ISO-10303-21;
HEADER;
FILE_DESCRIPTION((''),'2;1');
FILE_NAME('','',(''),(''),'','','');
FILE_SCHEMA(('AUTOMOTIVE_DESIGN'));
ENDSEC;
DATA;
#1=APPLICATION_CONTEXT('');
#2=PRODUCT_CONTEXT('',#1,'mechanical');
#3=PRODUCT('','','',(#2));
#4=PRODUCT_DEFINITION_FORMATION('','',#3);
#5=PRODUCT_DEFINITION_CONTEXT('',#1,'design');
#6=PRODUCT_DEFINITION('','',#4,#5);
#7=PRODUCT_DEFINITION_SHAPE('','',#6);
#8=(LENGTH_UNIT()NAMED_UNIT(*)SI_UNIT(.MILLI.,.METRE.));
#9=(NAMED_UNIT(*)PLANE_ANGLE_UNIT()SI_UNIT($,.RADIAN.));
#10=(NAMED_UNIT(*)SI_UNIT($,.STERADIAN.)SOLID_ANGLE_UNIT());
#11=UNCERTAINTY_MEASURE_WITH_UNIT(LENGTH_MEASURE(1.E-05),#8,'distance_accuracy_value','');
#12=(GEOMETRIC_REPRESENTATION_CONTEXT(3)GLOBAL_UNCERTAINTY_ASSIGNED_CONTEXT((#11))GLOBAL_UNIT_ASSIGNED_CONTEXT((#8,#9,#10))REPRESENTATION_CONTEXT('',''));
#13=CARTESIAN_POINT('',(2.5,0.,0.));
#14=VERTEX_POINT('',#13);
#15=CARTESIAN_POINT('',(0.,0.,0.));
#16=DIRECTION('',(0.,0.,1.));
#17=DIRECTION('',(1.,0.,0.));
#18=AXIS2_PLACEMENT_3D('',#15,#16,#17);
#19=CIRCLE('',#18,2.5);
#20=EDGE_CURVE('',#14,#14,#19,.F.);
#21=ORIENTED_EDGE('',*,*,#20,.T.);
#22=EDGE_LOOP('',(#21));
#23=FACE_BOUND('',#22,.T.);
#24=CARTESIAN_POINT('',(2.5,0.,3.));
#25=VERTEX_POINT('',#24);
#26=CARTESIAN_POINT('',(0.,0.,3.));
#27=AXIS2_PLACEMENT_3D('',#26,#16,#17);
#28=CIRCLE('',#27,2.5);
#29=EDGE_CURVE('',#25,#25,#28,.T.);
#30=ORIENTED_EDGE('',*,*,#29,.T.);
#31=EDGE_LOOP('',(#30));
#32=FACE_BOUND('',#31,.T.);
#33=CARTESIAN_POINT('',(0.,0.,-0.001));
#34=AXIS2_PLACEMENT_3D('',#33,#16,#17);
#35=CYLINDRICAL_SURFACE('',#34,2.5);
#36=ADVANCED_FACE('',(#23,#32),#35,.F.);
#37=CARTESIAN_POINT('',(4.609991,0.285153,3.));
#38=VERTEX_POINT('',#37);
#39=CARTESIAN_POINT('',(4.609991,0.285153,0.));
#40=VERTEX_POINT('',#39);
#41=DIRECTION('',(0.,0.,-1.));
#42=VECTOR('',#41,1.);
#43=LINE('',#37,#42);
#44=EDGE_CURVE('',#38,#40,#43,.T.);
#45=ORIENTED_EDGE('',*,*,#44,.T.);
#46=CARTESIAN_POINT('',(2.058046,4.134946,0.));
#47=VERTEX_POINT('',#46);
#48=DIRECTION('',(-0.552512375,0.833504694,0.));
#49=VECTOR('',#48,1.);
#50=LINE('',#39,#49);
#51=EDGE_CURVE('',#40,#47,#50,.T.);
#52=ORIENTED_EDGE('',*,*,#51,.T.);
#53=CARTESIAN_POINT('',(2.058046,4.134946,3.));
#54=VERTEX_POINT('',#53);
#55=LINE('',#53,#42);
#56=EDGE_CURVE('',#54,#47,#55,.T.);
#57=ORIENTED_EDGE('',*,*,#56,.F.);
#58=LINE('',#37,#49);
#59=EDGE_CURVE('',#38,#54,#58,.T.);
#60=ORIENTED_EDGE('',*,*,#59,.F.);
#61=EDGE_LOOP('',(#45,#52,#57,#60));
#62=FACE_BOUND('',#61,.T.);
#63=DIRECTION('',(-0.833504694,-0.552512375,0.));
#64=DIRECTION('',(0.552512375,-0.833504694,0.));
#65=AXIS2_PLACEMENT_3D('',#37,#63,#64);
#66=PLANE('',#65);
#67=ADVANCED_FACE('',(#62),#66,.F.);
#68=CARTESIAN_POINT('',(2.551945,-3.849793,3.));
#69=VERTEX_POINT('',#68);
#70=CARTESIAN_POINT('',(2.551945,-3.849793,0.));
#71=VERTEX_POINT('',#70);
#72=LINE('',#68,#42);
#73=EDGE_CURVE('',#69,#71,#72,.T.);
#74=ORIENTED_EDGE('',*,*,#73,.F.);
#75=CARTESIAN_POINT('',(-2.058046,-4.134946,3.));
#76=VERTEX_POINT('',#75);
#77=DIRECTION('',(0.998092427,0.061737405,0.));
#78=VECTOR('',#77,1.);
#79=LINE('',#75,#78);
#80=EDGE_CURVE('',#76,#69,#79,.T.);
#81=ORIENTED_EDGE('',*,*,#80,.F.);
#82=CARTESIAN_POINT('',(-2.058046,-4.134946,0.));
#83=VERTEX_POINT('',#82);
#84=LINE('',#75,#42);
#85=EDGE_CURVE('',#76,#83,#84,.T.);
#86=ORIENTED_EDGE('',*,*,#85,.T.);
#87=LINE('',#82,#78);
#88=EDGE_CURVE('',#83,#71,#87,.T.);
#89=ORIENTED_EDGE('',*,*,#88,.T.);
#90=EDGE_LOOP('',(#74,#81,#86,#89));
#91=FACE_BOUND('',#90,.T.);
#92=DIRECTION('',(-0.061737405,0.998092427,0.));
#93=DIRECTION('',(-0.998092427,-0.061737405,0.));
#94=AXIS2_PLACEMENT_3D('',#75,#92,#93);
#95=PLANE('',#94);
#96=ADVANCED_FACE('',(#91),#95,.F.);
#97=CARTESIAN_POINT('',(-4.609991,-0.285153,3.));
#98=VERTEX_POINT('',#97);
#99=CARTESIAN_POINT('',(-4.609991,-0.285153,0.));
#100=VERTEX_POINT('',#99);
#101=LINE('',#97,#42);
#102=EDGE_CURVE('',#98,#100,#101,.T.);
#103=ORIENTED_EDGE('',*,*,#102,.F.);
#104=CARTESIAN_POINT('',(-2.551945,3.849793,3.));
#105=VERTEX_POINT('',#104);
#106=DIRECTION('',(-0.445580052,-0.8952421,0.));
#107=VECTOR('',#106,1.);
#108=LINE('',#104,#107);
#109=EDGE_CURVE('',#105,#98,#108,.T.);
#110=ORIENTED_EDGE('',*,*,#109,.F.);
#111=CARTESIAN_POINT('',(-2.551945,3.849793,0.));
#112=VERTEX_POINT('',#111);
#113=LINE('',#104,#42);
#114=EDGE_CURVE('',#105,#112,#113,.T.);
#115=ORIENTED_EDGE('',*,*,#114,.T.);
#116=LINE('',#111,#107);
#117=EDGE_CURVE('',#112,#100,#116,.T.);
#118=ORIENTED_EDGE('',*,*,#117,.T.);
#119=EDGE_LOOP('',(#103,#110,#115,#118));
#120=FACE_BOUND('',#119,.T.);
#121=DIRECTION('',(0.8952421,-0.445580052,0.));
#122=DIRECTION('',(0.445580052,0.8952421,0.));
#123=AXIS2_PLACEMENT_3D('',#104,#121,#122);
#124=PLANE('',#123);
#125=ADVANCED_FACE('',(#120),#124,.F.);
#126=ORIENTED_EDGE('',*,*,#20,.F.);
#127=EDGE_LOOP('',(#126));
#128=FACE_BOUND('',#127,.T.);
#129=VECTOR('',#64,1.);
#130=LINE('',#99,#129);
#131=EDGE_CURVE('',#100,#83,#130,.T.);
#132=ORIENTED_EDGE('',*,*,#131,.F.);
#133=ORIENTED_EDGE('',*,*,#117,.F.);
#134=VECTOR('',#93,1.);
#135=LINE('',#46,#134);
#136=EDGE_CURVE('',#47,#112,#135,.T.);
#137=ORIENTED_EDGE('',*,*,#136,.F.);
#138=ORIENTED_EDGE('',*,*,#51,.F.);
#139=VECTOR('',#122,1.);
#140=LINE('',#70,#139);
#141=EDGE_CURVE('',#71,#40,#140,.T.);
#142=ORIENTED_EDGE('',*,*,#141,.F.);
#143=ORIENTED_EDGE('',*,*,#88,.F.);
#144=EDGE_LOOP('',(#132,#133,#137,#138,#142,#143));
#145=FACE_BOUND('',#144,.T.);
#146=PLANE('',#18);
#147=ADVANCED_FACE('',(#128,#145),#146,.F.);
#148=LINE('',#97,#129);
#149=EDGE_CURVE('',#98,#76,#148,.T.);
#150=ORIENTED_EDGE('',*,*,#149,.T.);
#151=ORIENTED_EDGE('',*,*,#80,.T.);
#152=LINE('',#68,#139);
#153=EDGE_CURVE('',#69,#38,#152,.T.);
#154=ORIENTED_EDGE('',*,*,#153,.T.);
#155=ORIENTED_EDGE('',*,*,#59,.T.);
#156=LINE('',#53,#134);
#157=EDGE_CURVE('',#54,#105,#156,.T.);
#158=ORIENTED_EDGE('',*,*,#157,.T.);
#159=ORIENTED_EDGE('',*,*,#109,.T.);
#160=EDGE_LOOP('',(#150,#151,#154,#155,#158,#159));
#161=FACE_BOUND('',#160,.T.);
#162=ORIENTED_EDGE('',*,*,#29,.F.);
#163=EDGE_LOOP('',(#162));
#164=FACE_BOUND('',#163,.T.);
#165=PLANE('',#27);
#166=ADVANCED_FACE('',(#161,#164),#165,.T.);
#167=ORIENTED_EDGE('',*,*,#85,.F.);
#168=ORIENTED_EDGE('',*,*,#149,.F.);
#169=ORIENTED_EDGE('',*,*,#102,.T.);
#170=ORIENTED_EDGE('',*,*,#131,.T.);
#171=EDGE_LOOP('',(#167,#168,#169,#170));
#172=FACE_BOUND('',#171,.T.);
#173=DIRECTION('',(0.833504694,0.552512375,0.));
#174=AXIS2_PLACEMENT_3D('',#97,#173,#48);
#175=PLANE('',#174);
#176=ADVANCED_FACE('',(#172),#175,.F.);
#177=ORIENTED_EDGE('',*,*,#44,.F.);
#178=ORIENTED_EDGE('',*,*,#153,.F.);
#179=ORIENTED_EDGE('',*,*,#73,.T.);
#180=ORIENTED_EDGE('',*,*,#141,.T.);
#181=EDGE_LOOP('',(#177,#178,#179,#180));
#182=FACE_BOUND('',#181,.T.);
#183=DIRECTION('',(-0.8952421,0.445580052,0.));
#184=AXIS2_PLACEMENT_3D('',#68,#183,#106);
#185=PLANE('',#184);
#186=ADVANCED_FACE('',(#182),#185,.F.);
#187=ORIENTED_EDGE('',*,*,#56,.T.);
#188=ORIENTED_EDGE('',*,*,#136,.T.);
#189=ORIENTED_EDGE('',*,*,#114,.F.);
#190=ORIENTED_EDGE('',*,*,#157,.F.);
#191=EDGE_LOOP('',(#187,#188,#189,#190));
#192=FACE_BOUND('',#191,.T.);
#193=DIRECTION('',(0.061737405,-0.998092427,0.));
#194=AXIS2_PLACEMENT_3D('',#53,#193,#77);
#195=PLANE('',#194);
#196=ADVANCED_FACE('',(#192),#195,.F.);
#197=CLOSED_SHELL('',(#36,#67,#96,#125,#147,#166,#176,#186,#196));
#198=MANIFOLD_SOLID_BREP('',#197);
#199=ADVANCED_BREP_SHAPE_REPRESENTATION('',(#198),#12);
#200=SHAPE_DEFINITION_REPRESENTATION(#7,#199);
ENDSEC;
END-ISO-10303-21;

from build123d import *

# Parameters (mm, degrees)
EXTRUDE_1_DEPTH     = 3
CUT_EXTRUDE_1_REACH = 5
SKETCH_2_R          = 2.5


with BuildPart() as part:
    # 草圖1 → 填料-伸長1 (new body)
    with BuildSketch(Plane.XY):
        Polygon((2.058046104, 4.134946138), (-2.551945347, 3.849793278), (-4.609991451, -0.285152861), (-2.058046104, -4.134946138), (2.551945347, -3.849793278), (4.609991451, 0.285152861), align=None)
    extrude(amount=EXTRUDE_1_DEPTH)

    # 草圖2 → 除料-伸長1 (cut, up to next)
    with BuildSketch(Plane.XY.offset(3), mode=Mode.PRIVATE) as cut_extrude_1_sk1:
        Circle(SKETCH_2_R)
    cut_extrude_1_tool1 = extrude(cut_extrude_1_sk1.sketch, amount=-CUT_EXTRUDE_1_REACH, mode=Mode.PRIVATE) & part.part
    add(cut_extrude_1_tool1.solids().sort_by_distance((0, 0, 3))[0], mode=Mode.SUBTRACT)


solid = part.part
